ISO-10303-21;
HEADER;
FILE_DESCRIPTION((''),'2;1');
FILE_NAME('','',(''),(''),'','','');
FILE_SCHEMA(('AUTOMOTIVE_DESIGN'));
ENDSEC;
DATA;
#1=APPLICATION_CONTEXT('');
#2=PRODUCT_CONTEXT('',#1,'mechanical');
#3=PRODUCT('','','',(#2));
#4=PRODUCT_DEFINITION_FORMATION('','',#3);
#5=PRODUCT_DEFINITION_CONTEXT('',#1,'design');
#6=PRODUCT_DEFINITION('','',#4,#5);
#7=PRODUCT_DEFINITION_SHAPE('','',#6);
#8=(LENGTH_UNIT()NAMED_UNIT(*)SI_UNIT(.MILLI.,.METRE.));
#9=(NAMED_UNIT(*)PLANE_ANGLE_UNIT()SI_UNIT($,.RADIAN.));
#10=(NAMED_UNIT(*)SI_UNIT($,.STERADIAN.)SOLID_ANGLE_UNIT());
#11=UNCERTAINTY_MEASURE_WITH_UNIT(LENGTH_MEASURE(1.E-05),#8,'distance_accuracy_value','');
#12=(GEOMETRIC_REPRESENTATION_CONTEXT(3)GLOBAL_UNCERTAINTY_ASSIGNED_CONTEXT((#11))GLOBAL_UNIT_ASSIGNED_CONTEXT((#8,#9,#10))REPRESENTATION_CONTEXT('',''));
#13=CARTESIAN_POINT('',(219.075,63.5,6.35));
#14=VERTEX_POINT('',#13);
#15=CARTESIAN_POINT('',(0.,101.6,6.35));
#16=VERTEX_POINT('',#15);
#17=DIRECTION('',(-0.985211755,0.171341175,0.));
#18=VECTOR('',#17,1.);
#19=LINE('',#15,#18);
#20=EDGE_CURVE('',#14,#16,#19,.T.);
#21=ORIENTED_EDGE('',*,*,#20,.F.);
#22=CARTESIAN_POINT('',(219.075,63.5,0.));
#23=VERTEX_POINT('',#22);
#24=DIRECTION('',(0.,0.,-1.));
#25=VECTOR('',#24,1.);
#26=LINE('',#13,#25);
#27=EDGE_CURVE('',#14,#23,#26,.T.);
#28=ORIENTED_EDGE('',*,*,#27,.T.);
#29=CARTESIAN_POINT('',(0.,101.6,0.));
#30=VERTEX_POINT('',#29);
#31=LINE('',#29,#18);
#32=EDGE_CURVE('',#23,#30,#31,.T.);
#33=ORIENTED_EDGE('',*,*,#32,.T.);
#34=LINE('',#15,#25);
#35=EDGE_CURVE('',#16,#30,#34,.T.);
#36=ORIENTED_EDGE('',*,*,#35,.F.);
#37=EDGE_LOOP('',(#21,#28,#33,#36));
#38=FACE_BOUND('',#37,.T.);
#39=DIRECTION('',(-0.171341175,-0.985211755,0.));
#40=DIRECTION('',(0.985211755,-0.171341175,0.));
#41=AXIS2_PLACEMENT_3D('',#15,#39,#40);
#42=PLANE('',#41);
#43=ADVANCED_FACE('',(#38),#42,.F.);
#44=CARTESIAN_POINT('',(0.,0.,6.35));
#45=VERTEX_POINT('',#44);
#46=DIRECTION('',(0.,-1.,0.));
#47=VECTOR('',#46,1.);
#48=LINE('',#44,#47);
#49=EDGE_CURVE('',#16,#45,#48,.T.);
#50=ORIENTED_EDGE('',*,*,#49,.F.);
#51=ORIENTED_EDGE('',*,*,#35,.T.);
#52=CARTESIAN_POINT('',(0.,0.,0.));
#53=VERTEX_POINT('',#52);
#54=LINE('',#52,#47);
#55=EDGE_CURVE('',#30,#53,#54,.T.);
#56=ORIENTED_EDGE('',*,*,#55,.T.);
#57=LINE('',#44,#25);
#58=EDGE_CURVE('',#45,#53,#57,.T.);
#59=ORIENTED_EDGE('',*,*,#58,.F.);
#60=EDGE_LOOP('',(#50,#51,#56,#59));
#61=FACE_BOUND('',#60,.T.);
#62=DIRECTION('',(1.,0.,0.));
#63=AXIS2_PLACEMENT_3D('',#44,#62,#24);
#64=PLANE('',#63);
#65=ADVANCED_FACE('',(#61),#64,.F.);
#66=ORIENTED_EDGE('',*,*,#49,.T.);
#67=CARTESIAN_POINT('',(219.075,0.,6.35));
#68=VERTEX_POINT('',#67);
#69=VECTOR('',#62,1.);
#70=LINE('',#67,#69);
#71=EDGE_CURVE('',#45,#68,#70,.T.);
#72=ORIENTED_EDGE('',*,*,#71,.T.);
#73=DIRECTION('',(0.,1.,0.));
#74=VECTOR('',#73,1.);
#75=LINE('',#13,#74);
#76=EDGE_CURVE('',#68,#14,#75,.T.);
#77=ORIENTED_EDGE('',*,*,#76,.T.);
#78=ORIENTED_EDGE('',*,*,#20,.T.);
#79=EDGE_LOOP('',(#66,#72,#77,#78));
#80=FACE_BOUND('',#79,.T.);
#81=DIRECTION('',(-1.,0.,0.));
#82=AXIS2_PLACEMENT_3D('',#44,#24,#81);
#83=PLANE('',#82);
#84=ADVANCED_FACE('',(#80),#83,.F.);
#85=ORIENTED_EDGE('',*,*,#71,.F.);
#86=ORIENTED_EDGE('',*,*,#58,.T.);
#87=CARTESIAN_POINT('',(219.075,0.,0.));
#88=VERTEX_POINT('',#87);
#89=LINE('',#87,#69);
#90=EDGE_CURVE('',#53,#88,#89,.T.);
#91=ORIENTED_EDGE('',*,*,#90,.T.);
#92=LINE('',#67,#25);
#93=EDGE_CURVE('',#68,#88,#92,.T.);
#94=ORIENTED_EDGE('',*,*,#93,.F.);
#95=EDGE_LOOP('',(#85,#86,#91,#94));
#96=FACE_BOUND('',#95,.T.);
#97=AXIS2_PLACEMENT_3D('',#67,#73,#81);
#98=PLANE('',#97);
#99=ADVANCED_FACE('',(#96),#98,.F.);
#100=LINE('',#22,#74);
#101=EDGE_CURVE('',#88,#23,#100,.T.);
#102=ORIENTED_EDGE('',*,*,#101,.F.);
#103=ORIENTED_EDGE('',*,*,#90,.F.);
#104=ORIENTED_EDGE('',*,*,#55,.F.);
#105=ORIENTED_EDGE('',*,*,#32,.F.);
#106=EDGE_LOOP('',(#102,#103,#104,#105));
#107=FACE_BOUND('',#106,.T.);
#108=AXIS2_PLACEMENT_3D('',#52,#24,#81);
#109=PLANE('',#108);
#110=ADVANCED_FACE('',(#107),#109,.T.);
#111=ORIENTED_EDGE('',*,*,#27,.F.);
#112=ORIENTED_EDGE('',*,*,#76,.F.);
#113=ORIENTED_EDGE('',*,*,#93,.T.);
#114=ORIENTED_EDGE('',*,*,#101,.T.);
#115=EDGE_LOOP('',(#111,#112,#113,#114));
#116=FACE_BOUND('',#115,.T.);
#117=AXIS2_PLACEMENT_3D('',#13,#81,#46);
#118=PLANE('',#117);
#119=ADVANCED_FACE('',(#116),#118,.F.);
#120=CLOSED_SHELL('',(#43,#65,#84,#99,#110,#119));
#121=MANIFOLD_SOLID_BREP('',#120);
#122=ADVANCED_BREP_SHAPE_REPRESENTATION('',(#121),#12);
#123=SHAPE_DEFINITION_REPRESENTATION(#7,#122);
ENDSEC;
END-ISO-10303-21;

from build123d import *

# Parameters (mm, degrees)
BOSS_EXTRUDE1_DEPTH = 6.35


with BuildPart() as part:
    # Sketch1 → Boss-Extrude1 (new body)
    with BuildSketch(Plane.XY):
        Polygon((0, 0), (0, 101.6), (219.075, 63.5), (219.075, 0), align=None)
    extrude(amount=BOSS_EXTRUDE1_DEPTH)


solid = part.part
